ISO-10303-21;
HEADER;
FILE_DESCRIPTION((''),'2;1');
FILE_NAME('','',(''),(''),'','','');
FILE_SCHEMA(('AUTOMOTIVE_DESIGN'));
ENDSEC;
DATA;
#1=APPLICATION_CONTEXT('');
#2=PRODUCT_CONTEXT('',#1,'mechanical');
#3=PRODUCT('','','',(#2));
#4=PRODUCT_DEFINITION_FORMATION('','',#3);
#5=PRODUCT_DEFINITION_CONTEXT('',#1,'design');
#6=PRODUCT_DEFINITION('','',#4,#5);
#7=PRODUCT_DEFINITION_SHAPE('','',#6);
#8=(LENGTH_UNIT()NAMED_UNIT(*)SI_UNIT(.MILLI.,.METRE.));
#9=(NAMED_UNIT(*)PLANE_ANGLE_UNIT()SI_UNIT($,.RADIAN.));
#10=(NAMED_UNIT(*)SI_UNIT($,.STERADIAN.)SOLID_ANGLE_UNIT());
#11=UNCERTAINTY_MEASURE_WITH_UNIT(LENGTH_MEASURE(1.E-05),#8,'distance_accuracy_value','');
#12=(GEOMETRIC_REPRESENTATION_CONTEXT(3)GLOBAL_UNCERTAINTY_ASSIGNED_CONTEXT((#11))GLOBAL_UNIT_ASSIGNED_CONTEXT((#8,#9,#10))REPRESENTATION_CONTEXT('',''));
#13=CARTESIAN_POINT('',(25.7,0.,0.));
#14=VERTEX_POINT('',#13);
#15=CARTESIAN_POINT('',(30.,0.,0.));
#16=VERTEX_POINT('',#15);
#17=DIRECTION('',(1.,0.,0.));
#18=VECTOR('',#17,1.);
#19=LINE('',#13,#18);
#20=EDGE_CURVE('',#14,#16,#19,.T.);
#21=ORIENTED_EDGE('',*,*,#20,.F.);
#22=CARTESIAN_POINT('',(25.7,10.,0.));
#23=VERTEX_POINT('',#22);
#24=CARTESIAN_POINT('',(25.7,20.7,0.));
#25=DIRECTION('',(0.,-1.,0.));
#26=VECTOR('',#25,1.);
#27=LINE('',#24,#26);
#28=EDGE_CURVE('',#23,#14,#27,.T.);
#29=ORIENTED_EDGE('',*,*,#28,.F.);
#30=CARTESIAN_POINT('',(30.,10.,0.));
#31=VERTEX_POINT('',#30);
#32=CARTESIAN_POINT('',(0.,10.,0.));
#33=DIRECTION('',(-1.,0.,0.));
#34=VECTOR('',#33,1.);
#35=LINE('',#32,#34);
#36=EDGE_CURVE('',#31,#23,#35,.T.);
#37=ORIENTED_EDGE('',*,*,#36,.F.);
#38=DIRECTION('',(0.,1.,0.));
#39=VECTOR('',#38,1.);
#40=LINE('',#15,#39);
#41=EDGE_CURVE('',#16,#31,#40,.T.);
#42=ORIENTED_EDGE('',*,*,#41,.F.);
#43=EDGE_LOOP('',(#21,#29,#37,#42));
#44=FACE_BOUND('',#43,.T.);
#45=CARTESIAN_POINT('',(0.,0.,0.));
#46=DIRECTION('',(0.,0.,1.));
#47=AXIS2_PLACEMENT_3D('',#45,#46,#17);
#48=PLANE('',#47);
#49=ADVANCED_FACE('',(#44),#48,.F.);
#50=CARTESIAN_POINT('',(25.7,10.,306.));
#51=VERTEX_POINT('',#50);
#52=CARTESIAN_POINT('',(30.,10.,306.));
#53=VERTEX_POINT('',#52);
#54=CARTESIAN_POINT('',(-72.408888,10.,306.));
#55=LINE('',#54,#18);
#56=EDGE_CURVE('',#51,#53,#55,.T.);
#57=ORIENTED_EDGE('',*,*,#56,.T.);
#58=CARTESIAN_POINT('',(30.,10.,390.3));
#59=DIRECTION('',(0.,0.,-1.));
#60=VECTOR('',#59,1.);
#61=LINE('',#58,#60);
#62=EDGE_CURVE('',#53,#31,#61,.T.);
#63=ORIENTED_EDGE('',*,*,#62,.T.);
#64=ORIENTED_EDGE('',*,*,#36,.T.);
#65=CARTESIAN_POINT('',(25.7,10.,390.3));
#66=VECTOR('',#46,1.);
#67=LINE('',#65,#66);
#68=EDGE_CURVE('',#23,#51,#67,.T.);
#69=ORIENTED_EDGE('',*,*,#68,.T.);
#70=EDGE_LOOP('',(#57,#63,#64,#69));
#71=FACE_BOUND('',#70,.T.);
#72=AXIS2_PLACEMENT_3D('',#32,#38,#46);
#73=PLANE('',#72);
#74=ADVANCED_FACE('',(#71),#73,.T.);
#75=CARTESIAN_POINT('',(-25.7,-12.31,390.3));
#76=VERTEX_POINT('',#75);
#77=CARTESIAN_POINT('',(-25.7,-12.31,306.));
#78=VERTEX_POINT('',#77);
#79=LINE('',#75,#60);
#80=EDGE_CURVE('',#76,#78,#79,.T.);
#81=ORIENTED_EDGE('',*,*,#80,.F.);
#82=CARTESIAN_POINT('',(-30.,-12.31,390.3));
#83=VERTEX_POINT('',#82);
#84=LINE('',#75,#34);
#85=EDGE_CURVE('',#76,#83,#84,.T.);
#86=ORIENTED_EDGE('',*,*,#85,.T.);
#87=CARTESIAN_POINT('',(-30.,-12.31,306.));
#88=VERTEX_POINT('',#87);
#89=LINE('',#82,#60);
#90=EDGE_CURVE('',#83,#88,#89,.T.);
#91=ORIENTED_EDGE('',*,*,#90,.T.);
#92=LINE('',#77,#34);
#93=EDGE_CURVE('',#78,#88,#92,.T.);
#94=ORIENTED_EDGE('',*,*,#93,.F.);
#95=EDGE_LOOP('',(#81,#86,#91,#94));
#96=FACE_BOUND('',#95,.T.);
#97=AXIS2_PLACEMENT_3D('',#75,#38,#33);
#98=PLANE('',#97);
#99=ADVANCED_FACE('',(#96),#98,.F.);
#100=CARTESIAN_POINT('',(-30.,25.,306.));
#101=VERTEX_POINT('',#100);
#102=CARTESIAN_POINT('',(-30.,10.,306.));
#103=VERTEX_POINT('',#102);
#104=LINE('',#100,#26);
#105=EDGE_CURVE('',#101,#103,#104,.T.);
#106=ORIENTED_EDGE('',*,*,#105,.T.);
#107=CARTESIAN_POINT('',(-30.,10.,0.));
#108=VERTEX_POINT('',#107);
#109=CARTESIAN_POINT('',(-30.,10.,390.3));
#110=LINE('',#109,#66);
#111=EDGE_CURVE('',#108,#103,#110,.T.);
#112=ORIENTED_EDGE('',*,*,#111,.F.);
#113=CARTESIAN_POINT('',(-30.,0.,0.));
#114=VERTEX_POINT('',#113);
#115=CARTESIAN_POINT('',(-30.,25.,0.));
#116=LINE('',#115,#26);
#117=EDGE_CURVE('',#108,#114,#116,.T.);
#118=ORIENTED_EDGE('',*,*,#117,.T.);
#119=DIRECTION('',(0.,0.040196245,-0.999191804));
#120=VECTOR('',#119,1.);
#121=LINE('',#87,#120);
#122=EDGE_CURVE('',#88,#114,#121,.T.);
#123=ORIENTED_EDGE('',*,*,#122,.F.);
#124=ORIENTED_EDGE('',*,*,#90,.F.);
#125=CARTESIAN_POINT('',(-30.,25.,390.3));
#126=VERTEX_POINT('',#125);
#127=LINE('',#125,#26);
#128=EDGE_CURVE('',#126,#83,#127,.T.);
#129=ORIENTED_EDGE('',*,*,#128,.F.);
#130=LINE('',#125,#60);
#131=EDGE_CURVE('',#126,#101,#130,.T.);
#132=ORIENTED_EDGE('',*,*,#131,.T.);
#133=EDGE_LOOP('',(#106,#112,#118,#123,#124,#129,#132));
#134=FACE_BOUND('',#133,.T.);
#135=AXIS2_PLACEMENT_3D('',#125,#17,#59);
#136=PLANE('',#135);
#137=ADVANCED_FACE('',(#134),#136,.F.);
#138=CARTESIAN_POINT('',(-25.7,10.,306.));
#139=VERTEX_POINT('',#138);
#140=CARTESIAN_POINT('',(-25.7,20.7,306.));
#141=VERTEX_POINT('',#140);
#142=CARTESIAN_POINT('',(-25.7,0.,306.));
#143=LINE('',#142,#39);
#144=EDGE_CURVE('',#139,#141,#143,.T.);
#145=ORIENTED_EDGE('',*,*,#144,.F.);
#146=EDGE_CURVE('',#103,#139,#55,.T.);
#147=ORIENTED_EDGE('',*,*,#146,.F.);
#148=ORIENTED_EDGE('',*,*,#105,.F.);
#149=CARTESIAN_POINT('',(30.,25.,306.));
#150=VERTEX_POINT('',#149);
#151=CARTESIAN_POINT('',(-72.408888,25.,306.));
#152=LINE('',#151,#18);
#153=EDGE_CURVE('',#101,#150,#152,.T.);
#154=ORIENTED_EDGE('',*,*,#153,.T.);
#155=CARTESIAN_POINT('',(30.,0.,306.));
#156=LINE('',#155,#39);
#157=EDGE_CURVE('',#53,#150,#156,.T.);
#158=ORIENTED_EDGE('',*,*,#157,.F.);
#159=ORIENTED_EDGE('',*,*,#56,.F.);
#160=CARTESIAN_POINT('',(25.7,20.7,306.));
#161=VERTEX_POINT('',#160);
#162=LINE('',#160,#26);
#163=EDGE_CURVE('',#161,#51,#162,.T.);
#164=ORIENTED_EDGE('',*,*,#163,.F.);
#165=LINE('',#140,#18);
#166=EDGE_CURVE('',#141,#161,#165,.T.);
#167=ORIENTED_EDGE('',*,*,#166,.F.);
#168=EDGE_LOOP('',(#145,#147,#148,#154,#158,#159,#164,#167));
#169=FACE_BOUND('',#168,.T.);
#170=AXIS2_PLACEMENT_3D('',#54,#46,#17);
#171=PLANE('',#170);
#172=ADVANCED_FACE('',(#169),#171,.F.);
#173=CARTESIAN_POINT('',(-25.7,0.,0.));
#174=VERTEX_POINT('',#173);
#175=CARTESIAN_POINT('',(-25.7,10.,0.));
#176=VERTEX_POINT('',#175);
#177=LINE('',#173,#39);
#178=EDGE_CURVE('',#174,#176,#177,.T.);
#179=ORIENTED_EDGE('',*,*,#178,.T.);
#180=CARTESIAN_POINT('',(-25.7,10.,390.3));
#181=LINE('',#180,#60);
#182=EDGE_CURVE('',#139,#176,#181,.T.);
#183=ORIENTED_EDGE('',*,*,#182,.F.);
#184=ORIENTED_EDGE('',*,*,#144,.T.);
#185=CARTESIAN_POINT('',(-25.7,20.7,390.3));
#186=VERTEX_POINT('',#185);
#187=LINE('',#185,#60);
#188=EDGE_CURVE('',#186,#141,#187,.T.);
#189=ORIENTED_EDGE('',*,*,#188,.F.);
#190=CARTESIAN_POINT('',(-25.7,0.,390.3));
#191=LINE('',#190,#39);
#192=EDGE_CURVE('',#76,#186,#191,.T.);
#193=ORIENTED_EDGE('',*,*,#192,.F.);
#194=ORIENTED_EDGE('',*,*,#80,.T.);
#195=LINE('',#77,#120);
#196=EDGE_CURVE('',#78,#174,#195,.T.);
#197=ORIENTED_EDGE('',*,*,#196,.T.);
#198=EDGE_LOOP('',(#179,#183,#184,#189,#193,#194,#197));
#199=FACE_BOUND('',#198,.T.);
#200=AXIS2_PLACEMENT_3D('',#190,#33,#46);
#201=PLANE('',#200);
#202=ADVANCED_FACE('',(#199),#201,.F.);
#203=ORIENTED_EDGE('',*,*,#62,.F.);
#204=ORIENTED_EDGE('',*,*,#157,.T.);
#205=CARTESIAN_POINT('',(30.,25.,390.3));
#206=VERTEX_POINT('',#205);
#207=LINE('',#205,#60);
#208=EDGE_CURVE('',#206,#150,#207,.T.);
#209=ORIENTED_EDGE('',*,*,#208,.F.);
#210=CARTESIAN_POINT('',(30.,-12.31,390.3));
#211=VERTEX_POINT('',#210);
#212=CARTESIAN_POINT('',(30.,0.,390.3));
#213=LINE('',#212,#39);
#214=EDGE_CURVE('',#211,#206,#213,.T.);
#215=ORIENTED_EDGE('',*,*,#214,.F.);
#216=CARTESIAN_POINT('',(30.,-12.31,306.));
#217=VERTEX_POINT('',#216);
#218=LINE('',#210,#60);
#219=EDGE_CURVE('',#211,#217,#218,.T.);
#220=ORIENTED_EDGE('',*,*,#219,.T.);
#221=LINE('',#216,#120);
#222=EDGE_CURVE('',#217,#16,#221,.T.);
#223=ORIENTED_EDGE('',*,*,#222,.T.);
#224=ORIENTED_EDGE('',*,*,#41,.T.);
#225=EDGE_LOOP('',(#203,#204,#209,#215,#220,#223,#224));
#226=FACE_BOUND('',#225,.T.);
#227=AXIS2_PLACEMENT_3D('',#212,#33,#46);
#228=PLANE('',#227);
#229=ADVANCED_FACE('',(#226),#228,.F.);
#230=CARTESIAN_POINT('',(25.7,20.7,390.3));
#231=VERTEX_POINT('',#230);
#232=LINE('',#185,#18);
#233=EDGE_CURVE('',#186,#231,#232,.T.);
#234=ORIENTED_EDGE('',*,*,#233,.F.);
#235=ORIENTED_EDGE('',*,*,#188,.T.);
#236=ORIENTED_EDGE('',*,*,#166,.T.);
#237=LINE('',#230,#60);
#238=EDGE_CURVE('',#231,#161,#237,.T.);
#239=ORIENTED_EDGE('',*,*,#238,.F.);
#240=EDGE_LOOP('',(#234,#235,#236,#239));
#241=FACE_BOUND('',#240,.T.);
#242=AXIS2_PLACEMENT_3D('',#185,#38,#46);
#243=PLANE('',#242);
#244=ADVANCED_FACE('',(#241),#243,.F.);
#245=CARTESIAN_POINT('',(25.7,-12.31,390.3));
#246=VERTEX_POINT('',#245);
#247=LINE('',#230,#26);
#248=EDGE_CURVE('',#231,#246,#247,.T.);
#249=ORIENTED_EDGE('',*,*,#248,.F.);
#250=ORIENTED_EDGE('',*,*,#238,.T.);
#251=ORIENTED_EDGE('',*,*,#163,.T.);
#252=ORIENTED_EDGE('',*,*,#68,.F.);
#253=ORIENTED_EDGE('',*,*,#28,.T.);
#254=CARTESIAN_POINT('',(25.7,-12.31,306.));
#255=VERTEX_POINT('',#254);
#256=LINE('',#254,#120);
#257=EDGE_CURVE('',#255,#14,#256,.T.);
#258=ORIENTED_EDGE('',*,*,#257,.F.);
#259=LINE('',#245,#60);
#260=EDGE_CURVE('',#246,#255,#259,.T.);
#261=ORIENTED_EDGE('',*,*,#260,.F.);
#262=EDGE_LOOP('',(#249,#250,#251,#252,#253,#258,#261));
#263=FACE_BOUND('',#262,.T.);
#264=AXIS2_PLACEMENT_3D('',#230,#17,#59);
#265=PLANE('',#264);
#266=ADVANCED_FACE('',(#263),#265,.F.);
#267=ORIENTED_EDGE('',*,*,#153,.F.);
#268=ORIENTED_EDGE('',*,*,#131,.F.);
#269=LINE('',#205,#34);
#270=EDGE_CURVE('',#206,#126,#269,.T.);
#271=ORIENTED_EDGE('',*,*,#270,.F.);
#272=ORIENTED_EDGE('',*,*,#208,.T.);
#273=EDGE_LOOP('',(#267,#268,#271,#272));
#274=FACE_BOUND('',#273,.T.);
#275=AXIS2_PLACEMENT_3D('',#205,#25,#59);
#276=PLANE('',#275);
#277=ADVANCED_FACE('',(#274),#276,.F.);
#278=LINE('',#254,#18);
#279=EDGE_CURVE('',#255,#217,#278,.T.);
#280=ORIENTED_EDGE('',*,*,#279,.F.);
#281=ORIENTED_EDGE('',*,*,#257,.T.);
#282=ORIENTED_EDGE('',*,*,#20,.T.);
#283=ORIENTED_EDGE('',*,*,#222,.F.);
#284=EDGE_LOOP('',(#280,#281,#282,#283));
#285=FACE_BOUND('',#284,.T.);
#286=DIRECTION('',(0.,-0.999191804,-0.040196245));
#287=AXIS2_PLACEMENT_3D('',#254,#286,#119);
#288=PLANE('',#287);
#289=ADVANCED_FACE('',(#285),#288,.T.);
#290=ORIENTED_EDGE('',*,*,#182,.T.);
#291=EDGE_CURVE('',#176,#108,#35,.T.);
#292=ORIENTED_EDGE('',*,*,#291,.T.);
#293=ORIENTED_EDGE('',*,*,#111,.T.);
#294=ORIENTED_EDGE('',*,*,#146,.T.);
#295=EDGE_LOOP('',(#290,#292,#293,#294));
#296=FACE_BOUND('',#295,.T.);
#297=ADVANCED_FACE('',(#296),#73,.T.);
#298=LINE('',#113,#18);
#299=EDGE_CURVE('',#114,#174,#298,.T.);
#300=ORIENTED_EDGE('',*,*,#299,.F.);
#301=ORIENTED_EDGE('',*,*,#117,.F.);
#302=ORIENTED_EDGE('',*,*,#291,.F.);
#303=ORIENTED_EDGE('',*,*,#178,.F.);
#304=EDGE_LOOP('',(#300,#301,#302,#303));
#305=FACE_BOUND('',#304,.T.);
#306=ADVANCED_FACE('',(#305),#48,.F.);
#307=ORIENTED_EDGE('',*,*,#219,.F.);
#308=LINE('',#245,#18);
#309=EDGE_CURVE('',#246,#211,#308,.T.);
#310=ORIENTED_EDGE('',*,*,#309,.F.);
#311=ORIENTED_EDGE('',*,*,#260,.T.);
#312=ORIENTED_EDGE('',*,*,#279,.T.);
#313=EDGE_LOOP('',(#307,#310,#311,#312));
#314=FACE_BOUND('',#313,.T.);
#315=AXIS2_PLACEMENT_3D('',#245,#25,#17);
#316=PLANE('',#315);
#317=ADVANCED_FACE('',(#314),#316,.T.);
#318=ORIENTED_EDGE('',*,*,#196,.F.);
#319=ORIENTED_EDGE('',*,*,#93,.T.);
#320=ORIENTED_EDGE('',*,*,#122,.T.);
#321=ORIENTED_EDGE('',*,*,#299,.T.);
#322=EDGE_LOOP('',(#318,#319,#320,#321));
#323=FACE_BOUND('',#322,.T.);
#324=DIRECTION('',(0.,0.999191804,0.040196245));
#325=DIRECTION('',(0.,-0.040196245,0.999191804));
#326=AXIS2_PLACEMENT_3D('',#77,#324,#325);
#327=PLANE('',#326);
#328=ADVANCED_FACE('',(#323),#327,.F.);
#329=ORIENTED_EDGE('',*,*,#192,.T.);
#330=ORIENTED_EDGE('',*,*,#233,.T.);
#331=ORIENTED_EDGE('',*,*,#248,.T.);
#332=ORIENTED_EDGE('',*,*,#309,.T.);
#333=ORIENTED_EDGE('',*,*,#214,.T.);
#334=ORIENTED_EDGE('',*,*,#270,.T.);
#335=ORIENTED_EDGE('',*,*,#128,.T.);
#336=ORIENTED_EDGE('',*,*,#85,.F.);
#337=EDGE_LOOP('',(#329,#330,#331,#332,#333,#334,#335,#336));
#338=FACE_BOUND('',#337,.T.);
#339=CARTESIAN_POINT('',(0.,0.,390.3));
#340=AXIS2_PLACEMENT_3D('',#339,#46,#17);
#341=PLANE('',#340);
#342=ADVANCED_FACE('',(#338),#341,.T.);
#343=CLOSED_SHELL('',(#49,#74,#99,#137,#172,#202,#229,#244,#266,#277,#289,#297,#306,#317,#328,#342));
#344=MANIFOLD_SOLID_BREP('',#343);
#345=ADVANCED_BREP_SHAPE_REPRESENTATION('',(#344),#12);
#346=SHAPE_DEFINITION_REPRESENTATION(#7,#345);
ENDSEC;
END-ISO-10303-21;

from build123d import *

# Parameters (mm, degrees)
BOSS_EXTRUDE1_DEPTH = 390.3
BOSS_EXTRUDE2_DEPTH = 4.3
SKETCH3_W           = 8.6
SKETCH3_H           = 70
CUT_EXTRUDE1_DEPTH  = 10
SKETCH4_W           = 230.803227125
SKETCH4_H           = 349.257793427
CUT_EXTRUDE2_DEPTH  = 15


with BuildPart() as part:
    # Sketch1 → Boss-Extrude1 (new body)
    with BuildSketch(Plane.XY):
        Polygon((-30, 0), (-25.7, 0), (-25.7, 20.7), (25.7, 20.7), (25.7, 0), (30, 0), (30, 25), (-30, 25), align=None)
    extrude(amount=BOSS_EXTRUDE1_DEPTH)

    # Sketch2 → Boss-Extrude2 (add)
    with BuildSketch(Plane(origin=(30, 0, 0), x_dir=(0, 0, -1), z_dir=(1, 0, 0))):
        Polygon((-306, -12.31), (0, 0), (-390.3, 0), (-390.3, -12.31), align=None)
    boss_extrude2 = extrude(amount=-BOSS_EXTRUDE2_DEPTH)

    # Mirror1: Boss-Extrude2 across plane
    add(boss_extrude2.mirror(Plane(origin=(0, 0, 0), x_dir=(0, 0, 1), z_dir=(1, 0, 0))))

    # Sketch3 → Cut-Extrude1 (cut)
    with BuildSketch(Plane(origin=(0, 25, 0), x_dir=(1, 0, 0), z_dir=(0, 1, 0))):
        with Locations((0, -35)):
            Rectangle(SKETCH3_W, SKETCH3_H)
    extrude(amount=-CUT_EXTRUDE1_DEPTH, mode=Mode.SUBTRACT)

    # Sketch4 → Cut-Extrude2 (cut)
    with BuildSketch(Plane(origin=(0, 25, 0), x_dir=(1, 0, 0), z_dir=(0, 1, 0))):
        with Locations((42.992725749, -131.371103286)):
            Rectangle(SKETCH4_W, SKETCH4_H)
    extrude(amount=-CUT_EXTRUDE2_DEPTH, mode=Mode.SUBTRACT)


solid = part.part
